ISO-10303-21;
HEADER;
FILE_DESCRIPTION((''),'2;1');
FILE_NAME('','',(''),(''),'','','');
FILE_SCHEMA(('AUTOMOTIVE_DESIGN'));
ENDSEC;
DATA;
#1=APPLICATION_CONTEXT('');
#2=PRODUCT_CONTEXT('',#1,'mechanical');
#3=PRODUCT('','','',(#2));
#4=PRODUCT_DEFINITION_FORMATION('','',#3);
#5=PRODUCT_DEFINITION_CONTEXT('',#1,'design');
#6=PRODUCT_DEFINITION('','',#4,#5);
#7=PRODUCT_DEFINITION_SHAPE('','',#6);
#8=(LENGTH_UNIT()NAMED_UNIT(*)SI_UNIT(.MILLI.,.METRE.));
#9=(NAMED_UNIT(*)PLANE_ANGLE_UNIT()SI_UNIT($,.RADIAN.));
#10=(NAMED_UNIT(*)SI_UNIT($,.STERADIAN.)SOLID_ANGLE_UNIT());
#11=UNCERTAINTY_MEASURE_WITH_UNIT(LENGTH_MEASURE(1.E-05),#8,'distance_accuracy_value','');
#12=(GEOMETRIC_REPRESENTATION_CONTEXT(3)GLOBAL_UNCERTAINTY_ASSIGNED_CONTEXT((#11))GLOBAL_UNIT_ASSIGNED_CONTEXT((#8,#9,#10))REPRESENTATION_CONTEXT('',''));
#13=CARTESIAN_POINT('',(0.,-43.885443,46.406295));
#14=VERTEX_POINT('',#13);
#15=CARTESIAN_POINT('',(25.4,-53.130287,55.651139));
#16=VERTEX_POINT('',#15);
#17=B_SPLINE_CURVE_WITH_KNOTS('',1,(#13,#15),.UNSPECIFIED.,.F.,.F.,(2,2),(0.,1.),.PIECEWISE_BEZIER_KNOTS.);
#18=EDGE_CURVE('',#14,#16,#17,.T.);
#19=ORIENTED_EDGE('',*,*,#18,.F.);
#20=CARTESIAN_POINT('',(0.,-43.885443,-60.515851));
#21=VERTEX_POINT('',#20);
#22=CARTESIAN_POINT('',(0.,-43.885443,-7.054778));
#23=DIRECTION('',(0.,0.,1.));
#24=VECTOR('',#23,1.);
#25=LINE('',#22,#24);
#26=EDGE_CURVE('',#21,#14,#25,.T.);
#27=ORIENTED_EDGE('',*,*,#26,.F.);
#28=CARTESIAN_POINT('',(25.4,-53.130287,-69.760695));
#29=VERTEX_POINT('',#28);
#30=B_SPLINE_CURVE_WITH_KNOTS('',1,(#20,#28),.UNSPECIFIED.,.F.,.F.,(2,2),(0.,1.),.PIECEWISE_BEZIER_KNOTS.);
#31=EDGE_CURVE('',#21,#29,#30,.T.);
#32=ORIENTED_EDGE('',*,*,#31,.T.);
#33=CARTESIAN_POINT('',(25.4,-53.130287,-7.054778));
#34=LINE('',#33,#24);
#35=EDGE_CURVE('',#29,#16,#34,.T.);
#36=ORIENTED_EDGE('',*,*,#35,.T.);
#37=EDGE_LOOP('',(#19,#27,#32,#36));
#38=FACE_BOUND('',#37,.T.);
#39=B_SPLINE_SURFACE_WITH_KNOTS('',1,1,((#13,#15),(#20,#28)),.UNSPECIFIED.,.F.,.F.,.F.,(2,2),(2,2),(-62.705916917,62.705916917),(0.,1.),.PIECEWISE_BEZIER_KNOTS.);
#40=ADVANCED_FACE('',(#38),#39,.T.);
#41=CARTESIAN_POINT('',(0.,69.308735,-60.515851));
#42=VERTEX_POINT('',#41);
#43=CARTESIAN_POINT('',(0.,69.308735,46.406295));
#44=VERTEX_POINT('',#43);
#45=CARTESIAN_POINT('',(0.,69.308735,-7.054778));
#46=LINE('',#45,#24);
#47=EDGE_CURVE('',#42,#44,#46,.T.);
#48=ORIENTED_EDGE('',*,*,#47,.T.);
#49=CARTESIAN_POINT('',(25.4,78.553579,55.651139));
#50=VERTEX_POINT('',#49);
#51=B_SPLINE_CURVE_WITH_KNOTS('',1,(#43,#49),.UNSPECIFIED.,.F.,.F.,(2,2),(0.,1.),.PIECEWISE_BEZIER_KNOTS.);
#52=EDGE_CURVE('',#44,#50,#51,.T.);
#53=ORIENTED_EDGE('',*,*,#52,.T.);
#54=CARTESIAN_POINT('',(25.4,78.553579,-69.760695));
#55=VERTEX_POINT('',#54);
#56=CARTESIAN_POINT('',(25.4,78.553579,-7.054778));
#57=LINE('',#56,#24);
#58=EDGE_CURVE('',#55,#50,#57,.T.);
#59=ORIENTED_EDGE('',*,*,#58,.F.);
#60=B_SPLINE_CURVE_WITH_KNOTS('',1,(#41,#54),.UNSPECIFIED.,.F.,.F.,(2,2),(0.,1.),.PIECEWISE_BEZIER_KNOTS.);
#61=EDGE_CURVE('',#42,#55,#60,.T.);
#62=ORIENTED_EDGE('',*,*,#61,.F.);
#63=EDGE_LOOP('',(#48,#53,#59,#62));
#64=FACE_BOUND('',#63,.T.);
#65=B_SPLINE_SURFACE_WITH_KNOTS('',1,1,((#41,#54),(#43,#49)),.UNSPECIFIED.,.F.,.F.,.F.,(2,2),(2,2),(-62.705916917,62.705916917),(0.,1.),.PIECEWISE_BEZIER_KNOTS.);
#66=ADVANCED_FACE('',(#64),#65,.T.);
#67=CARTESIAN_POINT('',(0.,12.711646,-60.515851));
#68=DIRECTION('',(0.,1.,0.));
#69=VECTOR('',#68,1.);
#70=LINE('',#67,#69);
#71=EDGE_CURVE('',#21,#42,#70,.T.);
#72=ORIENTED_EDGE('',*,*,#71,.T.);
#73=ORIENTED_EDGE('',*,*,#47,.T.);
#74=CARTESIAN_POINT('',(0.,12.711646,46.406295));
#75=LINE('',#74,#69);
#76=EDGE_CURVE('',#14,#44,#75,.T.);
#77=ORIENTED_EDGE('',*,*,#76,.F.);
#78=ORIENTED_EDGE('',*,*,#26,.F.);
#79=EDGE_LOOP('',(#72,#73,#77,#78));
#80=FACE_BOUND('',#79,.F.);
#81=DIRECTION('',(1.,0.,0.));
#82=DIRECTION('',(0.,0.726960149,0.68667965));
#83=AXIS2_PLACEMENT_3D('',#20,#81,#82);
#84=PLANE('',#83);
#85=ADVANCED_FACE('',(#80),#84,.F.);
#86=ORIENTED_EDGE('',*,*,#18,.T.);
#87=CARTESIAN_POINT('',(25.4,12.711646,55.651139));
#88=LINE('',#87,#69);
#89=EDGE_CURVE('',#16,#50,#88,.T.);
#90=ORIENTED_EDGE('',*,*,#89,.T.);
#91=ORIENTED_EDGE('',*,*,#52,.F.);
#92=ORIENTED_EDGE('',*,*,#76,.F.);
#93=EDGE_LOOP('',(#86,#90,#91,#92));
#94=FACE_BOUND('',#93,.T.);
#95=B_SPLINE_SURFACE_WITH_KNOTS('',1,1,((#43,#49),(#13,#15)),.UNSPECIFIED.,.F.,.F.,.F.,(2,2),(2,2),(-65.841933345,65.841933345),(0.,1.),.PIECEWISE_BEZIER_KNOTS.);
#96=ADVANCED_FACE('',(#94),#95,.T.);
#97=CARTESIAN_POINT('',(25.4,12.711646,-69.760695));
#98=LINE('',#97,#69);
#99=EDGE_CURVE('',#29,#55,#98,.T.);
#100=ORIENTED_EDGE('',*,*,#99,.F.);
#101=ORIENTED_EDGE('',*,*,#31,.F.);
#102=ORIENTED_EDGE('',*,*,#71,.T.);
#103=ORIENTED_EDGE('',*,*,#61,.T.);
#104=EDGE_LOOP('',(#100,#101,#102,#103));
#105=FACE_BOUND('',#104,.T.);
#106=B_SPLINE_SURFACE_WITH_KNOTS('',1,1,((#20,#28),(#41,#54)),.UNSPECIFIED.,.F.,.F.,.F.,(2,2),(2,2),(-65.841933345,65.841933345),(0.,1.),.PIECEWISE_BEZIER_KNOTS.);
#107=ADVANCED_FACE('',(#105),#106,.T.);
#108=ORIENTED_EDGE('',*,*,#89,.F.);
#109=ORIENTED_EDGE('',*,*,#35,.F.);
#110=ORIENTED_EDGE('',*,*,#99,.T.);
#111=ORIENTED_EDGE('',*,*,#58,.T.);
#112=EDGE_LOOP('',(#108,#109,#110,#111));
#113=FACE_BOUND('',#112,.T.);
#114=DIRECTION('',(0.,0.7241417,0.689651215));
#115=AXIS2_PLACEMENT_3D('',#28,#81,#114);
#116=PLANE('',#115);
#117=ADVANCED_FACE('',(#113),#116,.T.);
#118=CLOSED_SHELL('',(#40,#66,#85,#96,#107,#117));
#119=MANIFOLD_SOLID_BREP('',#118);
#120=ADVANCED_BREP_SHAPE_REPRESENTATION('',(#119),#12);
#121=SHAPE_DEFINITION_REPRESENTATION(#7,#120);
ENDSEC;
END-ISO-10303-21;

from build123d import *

# Parameters (mm, degrees)
F0_W     = 113.1941787899
F0_H     = 106.9221459329
F1_DEPTH = 25.4
F1_TAPER = -20


with BuildPart() as f1:
    # F0 (on Right) → F1 (new body)
    with BuildSketch(Plane.YZ):
        with Locations((12.7116460353, -7.0547778159)):
            Rectangle(F0_W, F0_H)
    extrude(amount=F1_DEPTH, taper=F1_TAPER)


solid = f1.part
